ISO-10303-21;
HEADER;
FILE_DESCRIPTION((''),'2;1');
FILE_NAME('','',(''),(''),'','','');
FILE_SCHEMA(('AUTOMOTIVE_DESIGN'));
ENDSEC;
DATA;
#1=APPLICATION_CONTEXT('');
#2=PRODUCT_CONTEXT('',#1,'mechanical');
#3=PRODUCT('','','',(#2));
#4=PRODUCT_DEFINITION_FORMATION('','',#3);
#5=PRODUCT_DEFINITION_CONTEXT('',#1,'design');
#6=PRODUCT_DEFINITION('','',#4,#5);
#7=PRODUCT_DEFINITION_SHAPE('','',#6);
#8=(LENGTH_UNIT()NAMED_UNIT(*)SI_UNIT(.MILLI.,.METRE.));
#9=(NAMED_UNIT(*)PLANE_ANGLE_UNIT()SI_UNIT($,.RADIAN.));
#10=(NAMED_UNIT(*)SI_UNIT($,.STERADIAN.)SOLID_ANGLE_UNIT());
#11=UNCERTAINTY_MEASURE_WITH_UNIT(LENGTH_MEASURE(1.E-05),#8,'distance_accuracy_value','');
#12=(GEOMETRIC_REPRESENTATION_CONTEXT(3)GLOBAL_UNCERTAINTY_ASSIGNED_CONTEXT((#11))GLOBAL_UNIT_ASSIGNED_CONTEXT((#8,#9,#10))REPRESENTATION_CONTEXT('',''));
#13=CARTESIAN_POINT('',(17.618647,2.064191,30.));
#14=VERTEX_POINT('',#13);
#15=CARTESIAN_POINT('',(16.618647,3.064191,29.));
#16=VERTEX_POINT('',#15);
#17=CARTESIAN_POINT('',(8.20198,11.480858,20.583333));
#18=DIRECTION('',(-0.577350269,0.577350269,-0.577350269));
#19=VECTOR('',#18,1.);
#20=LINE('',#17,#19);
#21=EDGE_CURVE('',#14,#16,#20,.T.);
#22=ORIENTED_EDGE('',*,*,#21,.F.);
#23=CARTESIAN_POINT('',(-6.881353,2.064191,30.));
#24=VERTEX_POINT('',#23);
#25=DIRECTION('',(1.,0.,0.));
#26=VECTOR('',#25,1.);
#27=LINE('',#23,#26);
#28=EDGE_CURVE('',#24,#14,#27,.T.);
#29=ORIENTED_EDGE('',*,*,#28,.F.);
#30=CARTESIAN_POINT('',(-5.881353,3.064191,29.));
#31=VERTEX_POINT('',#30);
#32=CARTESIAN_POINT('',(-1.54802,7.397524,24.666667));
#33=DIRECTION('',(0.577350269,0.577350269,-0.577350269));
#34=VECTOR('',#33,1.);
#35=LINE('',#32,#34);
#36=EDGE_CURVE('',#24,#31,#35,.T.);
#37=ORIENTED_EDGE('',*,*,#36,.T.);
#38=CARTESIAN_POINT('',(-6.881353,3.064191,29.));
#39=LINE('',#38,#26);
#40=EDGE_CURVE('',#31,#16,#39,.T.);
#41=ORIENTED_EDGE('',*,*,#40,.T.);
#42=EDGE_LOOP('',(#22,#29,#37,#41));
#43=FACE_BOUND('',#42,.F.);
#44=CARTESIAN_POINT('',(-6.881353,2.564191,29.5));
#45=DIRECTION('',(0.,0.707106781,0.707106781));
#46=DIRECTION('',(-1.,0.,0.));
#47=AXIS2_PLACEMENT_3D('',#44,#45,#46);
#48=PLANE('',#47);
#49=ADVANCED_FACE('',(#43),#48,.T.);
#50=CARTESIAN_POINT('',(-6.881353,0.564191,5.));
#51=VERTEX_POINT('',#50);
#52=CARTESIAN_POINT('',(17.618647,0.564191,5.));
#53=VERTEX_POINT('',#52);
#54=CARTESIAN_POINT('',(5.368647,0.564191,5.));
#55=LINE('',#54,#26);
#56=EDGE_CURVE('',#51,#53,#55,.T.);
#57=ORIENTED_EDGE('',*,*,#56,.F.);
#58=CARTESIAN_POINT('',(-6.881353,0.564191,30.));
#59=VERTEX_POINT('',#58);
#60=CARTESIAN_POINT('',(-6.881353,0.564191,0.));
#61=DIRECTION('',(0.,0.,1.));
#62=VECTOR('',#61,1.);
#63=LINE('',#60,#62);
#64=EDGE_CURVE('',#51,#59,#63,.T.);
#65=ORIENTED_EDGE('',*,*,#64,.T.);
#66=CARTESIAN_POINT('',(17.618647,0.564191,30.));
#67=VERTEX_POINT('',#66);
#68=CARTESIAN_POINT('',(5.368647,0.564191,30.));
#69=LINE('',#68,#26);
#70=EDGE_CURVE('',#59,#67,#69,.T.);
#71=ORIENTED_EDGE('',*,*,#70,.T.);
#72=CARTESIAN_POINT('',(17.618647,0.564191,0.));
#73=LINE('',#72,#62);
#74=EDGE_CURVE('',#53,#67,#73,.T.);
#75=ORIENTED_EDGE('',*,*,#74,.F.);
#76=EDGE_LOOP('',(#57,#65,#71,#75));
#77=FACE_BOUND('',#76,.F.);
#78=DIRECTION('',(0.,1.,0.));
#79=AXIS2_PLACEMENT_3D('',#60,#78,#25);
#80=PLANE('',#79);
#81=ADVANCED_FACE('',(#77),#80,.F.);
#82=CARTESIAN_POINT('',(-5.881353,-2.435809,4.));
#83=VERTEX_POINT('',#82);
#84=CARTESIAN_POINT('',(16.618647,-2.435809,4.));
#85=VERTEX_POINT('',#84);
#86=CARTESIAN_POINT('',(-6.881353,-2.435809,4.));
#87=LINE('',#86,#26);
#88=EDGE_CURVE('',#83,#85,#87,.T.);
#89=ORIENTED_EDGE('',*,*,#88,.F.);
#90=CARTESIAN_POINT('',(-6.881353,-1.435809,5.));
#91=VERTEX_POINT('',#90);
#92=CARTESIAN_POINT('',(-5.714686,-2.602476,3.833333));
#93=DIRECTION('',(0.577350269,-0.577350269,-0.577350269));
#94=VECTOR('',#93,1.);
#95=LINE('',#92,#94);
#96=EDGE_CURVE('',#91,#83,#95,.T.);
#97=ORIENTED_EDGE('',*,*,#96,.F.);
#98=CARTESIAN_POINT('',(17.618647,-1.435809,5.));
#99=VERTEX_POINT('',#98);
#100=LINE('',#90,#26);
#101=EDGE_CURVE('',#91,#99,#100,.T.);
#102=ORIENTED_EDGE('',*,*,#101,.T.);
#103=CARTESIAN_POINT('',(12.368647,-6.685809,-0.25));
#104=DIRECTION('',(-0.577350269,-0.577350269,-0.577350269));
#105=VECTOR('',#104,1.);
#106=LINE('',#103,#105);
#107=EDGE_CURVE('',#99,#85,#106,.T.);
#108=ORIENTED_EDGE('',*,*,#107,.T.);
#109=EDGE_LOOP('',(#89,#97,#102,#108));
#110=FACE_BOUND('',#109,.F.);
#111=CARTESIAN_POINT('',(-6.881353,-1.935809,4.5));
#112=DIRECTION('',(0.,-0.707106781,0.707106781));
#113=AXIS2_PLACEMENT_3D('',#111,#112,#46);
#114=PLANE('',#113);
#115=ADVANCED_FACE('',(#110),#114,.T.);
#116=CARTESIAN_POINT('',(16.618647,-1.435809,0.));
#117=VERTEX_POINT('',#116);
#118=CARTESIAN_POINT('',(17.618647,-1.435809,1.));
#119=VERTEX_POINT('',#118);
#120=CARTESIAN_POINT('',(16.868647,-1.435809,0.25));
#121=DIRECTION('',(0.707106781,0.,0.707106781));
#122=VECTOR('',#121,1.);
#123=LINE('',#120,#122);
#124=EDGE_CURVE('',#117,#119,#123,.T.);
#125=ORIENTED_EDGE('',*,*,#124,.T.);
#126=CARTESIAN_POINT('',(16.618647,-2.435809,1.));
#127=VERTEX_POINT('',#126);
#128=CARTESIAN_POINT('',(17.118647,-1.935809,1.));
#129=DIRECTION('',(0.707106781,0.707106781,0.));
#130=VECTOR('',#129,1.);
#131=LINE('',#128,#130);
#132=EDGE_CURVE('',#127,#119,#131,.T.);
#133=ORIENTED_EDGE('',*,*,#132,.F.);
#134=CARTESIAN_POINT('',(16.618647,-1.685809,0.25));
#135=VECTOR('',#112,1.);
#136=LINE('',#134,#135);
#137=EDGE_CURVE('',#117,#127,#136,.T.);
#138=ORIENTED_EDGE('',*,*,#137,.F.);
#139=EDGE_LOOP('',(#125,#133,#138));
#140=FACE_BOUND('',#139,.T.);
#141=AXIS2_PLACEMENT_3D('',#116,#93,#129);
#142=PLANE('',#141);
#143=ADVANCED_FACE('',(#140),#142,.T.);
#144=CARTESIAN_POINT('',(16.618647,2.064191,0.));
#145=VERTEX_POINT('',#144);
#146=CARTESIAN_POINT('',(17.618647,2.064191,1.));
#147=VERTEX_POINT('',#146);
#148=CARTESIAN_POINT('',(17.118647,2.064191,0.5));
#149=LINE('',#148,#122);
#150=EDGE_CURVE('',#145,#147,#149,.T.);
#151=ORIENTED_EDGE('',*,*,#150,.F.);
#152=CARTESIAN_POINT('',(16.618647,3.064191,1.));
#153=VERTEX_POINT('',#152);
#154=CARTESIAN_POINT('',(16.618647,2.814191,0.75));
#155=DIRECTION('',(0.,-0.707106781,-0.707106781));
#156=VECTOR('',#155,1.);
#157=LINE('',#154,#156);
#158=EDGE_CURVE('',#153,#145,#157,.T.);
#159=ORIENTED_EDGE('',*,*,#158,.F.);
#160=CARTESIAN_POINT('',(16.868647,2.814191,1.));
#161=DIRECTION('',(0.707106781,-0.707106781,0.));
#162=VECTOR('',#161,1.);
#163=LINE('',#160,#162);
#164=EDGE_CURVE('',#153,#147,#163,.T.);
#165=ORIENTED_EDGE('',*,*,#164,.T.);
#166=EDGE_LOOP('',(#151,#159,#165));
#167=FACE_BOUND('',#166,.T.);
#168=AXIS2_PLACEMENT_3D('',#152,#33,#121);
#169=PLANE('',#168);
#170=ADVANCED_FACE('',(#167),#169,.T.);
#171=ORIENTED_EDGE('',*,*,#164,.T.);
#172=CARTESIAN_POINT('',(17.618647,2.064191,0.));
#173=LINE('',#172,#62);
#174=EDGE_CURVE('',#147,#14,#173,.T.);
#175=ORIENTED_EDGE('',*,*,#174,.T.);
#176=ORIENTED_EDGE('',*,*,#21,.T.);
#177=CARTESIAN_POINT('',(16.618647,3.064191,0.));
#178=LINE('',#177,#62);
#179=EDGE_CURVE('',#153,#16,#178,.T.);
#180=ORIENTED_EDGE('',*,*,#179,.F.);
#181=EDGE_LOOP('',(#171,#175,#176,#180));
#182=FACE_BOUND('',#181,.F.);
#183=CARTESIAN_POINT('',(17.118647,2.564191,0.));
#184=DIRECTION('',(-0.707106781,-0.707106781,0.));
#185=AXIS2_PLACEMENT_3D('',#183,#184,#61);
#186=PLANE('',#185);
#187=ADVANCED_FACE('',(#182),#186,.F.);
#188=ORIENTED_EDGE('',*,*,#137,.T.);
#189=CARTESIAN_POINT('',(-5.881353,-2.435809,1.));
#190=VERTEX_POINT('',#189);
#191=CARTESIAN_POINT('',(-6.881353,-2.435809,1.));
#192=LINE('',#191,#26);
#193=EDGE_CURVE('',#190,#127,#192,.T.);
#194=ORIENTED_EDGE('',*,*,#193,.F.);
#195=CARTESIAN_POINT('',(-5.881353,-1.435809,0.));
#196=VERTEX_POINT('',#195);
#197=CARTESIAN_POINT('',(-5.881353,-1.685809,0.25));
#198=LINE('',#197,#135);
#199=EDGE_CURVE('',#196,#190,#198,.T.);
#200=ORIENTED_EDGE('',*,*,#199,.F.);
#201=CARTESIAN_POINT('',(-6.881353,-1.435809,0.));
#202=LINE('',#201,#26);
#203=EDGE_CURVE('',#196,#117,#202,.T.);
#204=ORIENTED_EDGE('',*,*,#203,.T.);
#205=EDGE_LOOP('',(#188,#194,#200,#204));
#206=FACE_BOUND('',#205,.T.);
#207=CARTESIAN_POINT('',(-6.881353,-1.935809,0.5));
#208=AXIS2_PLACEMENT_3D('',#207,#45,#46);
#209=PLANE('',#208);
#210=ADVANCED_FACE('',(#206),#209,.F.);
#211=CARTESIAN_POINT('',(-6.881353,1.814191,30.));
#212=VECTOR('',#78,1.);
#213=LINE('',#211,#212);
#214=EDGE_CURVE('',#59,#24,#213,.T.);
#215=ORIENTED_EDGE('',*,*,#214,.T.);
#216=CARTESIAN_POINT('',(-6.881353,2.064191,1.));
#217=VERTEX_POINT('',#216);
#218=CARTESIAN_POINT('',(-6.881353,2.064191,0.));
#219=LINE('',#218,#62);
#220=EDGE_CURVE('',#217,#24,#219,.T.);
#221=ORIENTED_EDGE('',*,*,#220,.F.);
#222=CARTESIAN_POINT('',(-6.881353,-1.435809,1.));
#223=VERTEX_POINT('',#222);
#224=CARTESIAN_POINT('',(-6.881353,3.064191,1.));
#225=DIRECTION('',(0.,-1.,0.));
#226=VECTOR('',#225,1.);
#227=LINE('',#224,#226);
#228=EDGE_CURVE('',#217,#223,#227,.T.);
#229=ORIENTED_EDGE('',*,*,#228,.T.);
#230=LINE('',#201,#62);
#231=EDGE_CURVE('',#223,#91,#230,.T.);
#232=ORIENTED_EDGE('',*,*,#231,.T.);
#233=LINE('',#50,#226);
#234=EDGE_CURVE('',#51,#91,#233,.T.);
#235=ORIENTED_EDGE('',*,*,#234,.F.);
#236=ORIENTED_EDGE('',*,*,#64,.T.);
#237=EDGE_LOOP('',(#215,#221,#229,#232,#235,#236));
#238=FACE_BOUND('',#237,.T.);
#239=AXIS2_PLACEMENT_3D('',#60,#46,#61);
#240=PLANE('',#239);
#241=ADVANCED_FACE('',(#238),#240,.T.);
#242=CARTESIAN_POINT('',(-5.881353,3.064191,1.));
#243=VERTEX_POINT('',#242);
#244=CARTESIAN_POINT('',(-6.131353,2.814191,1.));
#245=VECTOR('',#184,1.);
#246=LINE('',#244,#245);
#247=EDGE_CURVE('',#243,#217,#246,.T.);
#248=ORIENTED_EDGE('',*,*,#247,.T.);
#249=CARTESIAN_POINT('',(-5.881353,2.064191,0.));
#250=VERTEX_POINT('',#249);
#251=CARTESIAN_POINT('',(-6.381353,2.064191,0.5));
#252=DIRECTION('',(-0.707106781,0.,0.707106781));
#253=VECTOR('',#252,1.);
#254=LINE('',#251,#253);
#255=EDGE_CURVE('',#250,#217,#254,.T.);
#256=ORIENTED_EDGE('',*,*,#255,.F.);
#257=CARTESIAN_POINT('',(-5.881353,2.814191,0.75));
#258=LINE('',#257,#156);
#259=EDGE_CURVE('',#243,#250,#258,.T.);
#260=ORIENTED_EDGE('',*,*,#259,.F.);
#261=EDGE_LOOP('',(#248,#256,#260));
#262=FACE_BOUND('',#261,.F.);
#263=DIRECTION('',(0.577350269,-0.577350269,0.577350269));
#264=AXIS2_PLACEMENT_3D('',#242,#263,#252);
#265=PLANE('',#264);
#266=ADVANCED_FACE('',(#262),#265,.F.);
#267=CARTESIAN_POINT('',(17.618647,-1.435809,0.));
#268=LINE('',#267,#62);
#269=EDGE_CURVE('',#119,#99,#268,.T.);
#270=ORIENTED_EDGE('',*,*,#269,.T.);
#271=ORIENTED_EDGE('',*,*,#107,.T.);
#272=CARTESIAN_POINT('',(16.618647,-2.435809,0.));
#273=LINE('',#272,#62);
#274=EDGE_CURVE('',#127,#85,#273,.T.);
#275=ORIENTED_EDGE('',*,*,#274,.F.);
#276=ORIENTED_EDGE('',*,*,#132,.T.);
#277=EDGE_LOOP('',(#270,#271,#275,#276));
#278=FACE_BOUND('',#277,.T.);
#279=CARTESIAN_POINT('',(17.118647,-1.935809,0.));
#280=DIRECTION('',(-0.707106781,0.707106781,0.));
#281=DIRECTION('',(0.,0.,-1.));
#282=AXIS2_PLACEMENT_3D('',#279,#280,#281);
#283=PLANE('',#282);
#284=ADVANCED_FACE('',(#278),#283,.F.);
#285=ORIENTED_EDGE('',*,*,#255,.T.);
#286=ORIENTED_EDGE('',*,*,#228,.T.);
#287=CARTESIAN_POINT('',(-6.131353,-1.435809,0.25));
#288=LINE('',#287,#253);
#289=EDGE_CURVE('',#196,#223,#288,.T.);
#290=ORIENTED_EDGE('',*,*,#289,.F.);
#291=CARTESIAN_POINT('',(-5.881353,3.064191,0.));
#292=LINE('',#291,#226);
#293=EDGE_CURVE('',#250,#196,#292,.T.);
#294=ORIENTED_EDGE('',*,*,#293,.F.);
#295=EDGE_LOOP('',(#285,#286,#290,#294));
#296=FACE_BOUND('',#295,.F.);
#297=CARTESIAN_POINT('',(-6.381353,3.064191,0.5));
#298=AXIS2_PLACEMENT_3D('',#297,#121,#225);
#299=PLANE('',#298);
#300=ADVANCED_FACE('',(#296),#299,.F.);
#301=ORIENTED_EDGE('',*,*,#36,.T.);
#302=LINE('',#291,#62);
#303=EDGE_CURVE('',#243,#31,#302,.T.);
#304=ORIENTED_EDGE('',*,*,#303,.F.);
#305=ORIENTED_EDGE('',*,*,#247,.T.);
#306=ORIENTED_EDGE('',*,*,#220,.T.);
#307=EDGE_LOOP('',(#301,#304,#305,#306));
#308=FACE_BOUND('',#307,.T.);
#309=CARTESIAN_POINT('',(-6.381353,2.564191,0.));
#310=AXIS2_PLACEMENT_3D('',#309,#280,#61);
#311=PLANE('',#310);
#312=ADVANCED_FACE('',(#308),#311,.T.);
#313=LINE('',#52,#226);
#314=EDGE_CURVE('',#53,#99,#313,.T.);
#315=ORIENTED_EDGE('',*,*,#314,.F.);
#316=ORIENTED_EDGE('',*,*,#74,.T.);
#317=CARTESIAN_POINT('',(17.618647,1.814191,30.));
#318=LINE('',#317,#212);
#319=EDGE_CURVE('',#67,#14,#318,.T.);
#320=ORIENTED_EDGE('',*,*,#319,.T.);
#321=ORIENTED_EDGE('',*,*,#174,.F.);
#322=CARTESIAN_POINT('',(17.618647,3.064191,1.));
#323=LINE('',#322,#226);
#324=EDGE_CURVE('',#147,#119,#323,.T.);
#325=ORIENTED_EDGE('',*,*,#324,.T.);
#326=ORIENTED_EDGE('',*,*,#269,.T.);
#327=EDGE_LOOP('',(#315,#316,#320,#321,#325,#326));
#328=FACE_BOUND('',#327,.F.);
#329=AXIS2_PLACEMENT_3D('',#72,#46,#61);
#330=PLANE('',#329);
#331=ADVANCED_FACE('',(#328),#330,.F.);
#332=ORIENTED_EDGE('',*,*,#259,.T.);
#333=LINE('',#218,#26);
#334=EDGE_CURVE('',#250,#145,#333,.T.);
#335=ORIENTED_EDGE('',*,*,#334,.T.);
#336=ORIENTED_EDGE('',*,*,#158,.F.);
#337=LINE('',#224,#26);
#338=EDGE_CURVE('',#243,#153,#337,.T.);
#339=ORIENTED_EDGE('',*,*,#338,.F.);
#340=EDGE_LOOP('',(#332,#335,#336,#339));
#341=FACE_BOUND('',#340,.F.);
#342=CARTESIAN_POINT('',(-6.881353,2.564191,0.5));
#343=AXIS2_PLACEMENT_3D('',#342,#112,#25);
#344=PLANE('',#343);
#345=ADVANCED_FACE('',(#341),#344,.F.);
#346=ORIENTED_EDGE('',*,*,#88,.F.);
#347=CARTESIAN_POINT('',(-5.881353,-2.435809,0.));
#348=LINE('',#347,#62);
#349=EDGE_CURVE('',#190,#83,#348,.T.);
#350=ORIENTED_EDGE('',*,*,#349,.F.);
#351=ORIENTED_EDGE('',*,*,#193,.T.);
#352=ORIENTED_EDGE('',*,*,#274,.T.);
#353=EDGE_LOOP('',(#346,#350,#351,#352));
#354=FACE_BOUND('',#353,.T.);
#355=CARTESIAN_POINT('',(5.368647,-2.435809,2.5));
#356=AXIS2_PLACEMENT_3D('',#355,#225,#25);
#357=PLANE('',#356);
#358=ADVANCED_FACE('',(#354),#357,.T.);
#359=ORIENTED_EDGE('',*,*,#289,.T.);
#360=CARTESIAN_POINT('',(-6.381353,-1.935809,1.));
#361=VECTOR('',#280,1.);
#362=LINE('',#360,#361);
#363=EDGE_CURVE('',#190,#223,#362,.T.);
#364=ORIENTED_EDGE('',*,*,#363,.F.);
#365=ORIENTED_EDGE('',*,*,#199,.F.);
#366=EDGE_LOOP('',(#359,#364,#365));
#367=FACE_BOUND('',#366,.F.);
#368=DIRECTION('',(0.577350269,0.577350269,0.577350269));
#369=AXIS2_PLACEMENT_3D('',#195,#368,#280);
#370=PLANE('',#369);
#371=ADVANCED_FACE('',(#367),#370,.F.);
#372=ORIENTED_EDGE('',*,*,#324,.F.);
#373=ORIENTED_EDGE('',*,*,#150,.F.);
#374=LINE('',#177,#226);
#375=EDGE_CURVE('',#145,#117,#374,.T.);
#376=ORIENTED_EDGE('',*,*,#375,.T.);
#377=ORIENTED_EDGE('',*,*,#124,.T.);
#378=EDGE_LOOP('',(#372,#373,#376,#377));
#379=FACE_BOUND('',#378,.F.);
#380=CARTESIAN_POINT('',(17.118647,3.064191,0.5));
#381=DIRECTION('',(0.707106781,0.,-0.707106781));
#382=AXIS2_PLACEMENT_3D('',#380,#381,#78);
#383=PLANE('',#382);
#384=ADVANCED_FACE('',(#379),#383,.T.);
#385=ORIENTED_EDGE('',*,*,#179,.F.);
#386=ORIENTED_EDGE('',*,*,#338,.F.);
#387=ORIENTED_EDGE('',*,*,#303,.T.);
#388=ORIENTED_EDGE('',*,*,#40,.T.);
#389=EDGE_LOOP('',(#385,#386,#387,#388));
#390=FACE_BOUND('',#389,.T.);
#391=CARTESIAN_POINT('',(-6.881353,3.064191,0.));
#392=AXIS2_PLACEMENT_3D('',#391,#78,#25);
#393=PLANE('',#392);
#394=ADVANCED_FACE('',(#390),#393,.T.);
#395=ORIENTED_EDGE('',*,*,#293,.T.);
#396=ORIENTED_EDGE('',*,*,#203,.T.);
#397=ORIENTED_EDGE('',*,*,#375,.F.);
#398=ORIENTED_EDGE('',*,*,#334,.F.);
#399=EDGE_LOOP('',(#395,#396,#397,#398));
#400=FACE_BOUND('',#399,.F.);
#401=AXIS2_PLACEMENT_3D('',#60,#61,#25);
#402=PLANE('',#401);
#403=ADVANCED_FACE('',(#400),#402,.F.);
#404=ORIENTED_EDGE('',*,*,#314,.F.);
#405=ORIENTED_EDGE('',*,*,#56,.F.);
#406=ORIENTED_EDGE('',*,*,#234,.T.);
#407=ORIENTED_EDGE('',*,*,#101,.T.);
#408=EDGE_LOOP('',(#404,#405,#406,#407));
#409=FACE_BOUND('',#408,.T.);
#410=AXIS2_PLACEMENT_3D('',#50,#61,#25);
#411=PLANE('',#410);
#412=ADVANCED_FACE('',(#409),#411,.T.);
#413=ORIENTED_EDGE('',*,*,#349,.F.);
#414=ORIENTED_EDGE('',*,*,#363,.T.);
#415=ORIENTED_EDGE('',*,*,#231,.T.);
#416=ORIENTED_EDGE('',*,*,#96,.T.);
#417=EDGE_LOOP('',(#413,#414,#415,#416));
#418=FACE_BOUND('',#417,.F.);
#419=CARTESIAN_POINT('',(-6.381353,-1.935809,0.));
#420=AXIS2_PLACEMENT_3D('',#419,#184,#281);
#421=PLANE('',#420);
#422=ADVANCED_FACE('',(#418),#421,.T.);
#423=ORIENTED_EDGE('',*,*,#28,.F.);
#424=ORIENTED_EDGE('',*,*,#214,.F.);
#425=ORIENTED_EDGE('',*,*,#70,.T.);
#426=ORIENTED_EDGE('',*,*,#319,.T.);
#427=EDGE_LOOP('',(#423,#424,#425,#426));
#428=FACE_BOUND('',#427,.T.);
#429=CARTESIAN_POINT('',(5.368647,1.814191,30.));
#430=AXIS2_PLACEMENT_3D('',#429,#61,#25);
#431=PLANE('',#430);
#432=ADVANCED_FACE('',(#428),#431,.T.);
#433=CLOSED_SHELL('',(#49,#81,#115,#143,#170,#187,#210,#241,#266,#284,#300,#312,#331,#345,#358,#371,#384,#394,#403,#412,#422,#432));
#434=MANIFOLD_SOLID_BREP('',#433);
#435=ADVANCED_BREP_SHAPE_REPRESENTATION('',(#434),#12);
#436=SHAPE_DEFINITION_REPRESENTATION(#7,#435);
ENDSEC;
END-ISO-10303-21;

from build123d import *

# Parameters (mm, degrees)
SKETCH006_W  = 24.5
SKETCH006_H  = 2.5
PAD003_DEPTH = 30
SKETCH007_W  = 24.5
SKETCH007_H  = 5
PAD004_DEPTH = 3
CHAMFER_SIZE = 1


with BuildPart() as part:
    # Sketch006 (on XY_Plane003 of Origin006) → Pad003 (new body)
    with BuildSketch(Plane.XY):
        with Locations((5.368647, 1.814191)):
            Rectangle(SKETCH006_W, SKETCH006_H)
    extrude(amount=PAD003_DEPTH)

    # Sketch007 (on Face1 of Pad003) → Pad004 (join)
    with BuildSketch(Plane.XZ.offset(-0.564191)):
        with Locations((5.368647, 2.5)):
            Rectangle(SKETCH007_W, SKETCH007_H)
    extrude(amount=PAD004_DEPTH)

    # Chamfer
    chamfer_edges = [part.edges().sort_by_distance(p)[0] for p in [
        (17.618647, -2.435809, 2.5),
        (5.368647, -2.435809, 5),
        (-6.881353, -2.435809, 2.5),
        (5.368647, -2.435809, 0),
        (17.618647, 0.314191, 0),
        (-6.881353, 0.314191, 0),
        (5.368647, 3.064191, 0),
        (17.618647, 3.064191, 15),
        (-6.881353, 3.064191, 15),
        (5.368647, 3.064191, 30),
    ]]
    chamfer(chamfer_edges, length=CHAMFER_SIZE)


solid = part.part
